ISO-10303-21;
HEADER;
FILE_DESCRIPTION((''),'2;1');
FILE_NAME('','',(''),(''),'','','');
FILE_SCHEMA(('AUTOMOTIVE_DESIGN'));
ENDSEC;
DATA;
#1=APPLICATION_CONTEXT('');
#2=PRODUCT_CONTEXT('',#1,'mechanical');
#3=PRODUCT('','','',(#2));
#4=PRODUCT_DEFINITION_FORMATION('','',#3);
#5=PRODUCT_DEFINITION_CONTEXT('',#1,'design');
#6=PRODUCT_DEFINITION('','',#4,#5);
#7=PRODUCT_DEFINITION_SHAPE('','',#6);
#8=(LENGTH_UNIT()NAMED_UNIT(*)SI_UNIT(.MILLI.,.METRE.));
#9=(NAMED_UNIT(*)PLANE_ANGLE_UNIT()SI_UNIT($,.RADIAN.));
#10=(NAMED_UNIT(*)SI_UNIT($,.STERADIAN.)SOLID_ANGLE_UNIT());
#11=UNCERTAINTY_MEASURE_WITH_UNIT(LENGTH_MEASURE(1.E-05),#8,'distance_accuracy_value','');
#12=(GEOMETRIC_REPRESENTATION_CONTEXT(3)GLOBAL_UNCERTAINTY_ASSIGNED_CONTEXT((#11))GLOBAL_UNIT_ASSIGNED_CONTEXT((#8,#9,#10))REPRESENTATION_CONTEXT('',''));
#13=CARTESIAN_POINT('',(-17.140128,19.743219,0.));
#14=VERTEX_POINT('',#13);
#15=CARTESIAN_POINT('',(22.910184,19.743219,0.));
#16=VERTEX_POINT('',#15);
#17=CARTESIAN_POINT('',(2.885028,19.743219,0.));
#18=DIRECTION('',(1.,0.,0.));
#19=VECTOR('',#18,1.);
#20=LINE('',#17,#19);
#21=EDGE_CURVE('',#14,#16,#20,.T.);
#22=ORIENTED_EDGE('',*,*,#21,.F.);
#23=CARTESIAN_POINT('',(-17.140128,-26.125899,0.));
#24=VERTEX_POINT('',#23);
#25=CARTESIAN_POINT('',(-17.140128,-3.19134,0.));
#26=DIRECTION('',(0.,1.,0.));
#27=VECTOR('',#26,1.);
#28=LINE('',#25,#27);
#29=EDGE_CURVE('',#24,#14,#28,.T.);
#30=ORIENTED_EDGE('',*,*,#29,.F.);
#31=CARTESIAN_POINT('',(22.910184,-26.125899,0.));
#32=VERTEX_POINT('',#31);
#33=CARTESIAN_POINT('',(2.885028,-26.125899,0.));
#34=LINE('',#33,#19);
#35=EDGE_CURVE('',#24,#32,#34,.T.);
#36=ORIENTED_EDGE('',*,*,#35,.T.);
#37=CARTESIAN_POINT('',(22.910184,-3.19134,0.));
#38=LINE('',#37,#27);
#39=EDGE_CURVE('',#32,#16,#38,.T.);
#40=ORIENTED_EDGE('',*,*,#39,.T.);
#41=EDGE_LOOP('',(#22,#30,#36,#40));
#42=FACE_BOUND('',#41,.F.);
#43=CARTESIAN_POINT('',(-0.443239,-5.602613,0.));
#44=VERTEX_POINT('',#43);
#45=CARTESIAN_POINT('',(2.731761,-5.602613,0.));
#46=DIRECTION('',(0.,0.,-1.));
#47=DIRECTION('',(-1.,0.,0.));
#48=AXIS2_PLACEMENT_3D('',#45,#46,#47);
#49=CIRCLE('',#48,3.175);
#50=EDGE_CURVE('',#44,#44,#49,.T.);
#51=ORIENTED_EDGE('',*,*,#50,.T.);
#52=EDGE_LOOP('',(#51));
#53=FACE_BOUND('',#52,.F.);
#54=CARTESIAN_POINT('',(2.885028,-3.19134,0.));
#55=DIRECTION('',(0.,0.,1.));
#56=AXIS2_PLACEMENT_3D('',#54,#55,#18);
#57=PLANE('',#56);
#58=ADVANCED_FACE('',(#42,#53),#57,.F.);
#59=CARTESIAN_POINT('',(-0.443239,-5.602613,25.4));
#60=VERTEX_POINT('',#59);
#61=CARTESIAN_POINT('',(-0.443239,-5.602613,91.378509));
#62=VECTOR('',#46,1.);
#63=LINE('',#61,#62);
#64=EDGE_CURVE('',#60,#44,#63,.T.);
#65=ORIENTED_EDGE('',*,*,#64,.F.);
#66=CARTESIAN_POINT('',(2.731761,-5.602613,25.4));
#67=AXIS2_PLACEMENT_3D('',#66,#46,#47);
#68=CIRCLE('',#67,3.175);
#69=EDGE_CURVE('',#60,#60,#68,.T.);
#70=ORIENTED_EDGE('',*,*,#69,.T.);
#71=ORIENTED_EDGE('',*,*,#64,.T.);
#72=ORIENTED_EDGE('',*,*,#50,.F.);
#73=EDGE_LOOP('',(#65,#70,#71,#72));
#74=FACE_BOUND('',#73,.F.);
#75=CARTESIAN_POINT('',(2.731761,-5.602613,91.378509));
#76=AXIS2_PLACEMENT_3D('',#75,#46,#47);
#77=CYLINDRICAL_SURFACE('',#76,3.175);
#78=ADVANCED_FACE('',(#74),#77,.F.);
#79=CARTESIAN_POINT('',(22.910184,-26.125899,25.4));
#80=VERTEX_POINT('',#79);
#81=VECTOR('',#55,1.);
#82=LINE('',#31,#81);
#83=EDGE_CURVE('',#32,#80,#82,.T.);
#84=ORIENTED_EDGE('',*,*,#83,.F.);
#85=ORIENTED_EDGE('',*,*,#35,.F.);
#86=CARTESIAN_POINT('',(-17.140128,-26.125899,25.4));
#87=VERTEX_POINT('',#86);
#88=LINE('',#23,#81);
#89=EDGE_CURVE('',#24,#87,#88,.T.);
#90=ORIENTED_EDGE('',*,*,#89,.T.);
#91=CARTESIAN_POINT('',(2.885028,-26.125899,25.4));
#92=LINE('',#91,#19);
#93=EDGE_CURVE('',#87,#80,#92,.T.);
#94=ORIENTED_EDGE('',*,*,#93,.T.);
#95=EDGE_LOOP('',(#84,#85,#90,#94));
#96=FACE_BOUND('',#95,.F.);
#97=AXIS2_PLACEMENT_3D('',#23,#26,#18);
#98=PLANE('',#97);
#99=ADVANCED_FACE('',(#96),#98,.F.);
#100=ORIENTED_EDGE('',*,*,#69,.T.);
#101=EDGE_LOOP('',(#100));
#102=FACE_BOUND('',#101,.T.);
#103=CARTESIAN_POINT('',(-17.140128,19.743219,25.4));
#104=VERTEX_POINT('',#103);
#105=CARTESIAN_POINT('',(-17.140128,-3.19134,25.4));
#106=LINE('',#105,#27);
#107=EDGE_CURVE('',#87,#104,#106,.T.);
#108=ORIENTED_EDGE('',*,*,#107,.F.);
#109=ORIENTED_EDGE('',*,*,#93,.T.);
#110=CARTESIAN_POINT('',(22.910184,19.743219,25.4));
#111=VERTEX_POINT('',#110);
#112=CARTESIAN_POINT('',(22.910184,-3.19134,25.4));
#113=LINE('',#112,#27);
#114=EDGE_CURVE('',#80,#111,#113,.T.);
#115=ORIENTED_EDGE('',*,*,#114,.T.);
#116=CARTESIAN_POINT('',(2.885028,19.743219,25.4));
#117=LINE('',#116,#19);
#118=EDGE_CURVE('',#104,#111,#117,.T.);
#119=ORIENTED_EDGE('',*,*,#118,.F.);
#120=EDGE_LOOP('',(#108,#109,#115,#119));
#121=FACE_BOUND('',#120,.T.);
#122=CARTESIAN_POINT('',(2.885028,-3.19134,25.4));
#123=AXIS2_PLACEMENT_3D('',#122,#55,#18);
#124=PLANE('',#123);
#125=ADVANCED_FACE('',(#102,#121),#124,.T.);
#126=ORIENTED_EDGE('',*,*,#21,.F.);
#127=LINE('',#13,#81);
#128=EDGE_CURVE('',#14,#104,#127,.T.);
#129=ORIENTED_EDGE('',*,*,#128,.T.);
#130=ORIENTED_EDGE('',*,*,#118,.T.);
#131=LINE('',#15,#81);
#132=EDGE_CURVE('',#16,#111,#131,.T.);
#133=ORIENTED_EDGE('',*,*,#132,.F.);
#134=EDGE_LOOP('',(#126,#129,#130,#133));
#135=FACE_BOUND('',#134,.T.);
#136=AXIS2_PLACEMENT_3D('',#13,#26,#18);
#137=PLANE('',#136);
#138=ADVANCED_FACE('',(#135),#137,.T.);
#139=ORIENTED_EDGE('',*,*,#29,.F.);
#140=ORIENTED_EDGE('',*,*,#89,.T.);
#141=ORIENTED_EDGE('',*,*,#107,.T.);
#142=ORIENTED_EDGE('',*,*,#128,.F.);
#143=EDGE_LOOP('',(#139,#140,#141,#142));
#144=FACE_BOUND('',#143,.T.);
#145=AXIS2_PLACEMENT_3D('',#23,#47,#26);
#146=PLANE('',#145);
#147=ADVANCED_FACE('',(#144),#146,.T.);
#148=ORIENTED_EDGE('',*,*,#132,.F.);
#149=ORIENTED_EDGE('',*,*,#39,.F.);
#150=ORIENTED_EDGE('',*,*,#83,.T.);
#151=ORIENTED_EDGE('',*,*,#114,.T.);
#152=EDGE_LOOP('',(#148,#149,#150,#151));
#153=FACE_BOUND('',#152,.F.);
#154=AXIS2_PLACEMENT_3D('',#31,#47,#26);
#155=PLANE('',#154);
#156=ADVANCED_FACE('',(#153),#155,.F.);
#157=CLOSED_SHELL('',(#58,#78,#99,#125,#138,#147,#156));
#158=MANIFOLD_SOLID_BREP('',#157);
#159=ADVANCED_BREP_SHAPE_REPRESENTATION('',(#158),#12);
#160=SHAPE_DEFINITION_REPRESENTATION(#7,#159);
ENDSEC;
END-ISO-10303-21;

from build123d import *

# Parameters (mm, degrees)
F1_W     = 40.050313
F1_H     = 45.869119
F2_DEPTH = 25.4
F4_D     = 6.35


with BuildPart() as f2:
    # F1 (on face) → F2 (new body)
    with BuildSketch(Plane.XY):
        with Locations((2.885028, -3.19134)):
            Rectangle(F1_W, F1_H)
    extrude(amount=F2_DEPTH)

    # F4 (through all)
    with Locations(Plane.XY.offset(25.4)):
        with Locations((2.731761, -5.602613)):
            Hole(F4_D / 2)


solid = f2.part
